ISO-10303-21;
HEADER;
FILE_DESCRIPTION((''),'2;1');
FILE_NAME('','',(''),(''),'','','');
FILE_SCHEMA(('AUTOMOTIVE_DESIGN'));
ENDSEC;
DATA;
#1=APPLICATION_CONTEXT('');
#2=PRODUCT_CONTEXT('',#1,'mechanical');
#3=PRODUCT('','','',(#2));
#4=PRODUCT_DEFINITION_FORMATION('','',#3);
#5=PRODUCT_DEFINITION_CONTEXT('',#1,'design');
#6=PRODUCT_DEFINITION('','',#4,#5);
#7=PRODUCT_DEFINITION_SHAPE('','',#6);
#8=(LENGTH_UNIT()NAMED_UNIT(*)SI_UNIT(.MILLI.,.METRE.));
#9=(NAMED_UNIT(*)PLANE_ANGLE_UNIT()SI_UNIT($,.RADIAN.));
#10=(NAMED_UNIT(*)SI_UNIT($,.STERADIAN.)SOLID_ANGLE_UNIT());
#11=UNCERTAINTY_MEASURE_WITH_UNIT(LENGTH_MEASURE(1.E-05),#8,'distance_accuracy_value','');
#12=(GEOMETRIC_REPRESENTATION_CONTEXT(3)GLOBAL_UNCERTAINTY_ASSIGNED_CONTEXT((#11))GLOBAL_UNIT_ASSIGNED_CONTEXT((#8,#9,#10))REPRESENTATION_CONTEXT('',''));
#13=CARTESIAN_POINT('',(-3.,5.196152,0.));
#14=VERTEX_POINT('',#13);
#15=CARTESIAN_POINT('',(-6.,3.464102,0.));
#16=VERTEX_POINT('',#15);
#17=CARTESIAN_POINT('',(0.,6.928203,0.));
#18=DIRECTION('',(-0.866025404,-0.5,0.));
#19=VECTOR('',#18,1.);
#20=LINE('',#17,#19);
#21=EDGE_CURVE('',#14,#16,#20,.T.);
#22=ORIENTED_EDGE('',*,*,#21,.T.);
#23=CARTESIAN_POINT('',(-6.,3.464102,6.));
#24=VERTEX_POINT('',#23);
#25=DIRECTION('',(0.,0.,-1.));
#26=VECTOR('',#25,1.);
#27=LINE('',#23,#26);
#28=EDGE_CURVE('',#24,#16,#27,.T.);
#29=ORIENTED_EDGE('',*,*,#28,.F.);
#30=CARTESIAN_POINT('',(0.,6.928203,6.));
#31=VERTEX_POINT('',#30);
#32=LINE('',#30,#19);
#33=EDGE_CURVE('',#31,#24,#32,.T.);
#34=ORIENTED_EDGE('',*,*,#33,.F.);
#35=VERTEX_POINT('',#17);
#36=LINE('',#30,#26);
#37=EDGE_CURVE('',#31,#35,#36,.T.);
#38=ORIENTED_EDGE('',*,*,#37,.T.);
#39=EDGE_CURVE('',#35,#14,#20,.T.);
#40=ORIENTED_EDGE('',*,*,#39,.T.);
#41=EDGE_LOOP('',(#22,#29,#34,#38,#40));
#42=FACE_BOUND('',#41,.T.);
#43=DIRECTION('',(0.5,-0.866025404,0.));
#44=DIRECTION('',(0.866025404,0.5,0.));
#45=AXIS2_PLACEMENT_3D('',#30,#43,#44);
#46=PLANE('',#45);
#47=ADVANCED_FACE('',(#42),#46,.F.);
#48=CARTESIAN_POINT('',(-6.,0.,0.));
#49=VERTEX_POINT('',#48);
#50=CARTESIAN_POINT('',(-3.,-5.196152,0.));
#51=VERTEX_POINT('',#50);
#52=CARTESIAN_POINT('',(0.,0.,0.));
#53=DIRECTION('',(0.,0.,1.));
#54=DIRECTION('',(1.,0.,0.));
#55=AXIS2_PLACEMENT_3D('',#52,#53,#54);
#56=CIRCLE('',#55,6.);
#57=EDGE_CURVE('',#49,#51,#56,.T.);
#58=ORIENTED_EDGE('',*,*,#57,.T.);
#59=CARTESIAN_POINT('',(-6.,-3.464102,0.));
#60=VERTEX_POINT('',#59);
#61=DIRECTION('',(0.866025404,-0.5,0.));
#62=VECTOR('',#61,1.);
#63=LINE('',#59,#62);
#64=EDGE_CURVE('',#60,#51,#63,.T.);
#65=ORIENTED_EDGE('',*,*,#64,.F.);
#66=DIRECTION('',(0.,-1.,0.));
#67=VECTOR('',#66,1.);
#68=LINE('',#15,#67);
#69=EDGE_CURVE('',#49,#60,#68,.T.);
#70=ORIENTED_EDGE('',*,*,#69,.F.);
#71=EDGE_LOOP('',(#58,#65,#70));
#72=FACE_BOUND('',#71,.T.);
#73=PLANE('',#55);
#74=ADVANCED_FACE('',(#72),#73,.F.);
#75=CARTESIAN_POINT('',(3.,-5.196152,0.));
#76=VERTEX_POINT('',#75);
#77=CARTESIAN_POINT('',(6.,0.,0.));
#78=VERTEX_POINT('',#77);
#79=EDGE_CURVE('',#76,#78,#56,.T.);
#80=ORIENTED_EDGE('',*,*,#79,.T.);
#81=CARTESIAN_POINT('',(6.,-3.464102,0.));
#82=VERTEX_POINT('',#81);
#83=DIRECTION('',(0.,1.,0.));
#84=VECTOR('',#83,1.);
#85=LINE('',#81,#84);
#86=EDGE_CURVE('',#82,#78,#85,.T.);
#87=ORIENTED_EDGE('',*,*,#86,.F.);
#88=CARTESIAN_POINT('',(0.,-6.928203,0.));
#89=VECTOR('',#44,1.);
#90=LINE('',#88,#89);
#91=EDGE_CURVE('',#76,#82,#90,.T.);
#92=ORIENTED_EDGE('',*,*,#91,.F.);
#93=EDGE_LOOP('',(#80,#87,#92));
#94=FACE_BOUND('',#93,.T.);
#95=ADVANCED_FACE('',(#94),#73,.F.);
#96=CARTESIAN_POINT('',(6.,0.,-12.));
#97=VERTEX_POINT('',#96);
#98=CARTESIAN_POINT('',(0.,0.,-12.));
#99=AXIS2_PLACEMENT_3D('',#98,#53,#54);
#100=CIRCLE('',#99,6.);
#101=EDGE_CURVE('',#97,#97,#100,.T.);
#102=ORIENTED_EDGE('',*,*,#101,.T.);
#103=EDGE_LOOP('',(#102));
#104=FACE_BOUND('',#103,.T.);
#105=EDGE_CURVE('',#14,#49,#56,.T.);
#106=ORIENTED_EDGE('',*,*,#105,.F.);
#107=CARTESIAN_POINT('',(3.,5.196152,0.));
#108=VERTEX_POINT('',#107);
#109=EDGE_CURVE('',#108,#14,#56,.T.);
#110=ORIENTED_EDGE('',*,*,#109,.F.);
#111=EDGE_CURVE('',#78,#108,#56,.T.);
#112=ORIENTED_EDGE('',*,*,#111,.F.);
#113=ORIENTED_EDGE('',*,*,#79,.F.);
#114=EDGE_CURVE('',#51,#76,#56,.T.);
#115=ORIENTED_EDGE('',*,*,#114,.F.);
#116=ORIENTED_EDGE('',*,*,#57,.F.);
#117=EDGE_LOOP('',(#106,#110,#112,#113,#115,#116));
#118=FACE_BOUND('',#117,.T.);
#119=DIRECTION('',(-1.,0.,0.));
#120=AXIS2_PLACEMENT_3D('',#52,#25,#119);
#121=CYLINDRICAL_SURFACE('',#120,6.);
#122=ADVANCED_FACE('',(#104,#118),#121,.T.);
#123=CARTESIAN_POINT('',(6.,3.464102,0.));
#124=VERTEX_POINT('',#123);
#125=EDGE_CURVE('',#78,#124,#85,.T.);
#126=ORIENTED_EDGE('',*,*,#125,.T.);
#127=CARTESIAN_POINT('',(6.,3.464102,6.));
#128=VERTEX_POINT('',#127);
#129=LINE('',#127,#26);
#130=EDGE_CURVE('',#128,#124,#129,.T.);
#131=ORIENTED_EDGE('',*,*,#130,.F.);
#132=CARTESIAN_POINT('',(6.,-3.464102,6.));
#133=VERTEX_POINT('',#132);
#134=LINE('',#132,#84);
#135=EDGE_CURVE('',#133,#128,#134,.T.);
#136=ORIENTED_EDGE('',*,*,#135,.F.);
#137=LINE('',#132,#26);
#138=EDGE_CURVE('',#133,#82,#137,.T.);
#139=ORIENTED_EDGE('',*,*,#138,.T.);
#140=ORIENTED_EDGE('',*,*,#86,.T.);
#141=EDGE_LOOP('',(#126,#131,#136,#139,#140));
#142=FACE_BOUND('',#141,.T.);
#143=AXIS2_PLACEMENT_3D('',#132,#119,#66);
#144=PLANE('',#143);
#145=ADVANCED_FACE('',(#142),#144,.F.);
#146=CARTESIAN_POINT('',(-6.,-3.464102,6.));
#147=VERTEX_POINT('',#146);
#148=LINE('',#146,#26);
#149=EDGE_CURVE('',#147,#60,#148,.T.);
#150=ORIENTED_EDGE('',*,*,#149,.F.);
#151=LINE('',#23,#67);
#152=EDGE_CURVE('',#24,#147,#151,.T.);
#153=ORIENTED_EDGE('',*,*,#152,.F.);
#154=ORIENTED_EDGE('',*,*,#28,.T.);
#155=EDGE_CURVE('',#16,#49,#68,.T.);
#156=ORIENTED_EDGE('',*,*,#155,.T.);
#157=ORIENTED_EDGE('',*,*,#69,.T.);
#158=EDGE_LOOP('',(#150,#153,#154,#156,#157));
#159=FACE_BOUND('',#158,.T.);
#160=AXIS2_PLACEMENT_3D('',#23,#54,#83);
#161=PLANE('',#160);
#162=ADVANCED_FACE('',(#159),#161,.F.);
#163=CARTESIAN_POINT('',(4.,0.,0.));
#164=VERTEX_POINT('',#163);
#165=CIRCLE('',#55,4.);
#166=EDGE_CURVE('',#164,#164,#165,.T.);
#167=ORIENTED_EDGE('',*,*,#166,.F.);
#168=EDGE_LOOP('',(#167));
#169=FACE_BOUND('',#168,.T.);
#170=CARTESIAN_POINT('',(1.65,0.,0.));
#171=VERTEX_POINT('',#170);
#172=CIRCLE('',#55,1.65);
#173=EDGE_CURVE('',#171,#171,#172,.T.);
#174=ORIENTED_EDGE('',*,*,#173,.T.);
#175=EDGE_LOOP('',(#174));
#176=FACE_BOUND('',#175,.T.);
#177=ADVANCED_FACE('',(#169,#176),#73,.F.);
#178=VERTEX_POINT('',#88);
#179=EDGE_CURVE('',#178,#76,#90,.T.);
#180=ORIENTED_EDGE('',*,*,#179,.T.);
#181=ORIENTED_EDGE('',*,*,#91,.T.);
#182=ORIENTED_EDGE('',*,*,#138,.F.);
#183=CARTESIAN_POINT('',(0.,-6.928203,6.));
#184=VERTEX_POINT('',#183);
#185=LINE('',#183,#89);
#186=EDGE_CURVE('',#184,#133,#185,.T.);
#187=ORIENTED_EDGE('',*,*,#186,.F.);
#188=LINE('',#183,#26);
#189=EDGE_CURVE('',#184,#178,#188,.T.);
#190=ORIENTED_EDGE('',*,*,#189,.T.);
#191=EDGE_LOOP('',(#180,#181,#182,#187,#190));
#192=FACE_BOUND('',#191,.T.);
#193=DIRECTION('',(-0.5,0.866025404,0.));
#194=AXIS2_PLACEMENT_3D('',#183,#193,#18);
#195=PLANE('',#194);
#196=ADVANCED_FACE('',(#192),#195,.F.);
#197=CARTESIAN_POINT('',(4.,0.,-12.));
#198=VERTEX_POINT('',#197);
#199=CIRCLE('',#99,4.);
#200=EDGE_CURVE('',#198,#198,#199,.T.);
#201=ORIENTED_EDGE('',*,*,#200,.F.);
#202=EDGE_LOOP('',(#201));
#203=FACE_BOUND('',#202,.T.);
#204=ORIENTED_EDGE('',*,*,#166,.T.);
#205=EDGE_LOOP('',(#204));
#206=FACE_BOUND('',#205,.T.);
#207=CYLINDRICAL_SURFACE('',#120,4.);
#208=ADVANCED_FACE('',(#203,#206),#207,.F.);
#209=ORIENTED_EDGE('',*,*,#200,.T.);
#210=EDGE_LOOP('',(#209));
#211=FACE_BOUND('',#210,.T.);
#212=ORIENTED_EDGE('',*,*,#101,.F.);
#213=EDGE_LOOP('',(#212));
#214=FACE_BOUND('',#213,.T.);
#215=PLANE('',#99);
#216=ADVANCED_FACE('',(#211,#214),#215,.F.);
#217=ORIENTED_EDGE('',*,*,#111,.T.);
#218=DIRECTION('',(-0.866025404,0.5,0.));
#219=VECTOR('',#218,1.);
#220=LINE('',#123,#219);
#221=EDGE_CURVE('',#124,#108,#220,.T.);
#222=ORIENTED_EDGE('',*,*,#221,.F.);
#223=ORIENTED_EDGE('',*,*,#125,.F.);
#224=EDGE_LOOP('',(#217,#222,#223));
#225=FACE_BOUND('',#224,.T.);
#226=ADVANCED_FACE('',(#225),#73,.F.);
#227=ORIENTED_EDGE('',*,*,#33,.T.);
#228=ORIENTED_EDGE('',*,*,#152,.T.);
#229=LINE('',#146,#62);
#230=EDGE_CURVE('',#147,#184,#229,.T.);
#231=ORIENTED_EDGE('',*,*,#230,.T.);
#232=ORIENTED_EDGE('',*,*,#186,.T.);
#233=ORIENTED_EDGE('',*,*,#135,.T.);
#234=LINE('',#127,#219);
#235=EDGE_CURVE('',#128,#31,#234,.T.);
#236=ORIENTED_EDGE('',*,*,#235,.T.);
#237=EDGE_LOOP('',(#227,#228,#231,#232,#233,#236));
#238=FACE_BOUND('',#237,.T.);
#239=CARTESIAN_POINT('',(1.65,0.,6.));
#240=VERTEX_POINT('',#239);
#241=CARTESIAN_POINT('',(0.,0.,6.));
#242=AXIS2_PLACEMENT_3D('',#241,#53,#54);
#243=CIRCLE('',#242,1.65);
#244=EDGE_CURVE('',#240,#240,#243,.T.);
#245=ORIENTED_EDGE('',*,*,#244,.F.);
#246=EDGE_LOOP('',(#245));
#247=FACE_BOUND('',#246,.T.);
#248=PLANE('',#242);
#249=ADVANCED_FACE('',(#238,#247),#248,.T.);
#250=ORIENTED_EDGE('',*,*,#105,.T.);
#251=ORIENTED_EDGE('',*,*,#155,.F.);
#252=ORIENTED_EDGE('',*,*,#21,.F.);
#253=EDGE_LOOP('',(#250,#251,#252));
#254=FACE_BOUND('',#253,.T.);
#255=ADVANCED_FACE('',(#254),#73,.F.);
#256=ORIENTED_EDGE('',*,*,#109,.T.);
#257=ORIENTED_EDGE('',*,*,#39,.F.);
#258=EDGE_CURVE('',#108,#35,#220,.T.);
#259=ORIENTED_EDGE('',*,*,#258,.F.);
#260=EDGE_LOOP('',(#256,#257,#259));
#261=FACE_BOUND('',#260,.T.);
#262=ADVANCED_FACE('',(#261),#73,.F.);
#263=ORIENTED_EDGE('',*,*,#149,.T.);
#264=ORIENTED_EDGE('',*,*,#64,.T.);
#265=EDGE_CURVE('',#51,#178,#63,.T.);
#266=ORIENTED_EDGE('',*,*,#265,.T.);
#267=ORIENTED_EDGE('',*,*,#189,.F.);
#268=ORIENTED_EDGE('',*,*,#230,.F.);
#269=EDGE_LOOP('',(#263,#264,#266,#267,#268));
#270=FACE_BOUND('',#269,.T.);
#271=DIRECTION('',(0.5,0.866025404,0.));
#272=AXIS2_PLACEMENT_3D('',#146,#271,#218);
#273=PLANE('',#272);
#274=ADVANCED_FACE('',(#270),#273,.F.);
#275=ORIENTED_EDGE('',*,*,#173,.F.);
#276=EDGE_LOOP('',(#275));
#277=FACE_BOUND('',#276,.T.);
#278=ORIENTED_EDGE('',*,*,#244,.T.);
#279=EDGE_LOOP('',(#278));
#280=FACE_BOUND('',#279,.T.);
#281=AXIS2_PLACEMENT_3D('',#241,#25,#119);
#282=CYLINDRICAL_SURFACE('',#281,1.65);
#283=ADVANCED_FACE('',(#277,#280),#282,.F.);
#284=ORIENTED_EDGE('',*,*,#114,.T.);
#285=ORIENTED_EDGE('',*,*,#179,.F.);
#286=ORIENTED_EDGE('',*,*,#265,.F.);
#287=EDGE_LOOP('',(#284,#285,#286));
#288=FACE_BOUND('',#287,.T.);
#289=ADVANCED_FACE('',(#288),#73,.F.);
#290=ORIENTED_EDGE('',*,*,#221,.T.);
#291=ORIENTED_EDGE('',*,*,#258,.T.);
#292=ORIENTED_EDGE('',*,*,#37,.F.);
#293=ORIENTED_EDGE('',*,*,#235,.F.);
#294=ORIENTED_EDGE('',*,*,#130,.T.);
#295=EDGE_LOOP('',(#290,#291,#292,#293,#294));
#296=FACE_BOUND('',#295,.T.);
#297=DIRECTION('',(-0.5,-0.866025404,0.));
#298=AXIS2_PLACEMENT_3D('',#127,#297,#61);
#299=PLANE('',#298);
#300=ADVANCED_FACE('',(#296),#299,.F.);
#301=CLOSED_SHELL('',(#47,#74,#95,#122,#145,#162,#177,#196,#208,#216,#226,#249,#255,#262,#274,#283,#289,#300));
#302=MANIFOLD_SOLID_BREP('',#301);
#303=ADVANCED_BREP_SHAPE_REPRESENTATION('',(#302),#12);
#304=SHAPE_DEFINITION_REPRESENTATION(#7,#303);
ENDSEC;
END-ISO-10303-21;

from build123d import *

# Parameters (mm, degrees)
SHAFT_SOCKET_START = -12
PROFILE_1_R        = 6
PROFILE_1_R_2      = 4
SHAFT_SOCKET_DEPTH = 12
PROFILE_2_R        = 1.65
DRIVE_HEX_DEPTH    = 6


with BuildPart() as part:
    # Profile_1 → Shaft_socket (new body)
    with BuildSketch(Plane.XY.offset(SHAFT_SOCKET_START)):
        Circle(PROFILE_1_R)
        Circle(PROFILE_1_R_2, mode=Mode.SUBTRACT)
    extrude(amount=SHAFT_SOCKET_DEPTH)

    # Profile_2 → Drive_hex (add)
    with BuildSketch(Plane.XY):
        Polygon((6, 3.464101615), (0, 6.92820323), (-6, 3.464101615), (-6, -3.464101615), (0, -6.92820323), (6, -3.464101615), align=None)
        Circle(PROFILE_2_R, mode=Mode.SUBTRACT)
    extrude(amount=DRIVE_HEX_DEPTH)


solid = part.part
